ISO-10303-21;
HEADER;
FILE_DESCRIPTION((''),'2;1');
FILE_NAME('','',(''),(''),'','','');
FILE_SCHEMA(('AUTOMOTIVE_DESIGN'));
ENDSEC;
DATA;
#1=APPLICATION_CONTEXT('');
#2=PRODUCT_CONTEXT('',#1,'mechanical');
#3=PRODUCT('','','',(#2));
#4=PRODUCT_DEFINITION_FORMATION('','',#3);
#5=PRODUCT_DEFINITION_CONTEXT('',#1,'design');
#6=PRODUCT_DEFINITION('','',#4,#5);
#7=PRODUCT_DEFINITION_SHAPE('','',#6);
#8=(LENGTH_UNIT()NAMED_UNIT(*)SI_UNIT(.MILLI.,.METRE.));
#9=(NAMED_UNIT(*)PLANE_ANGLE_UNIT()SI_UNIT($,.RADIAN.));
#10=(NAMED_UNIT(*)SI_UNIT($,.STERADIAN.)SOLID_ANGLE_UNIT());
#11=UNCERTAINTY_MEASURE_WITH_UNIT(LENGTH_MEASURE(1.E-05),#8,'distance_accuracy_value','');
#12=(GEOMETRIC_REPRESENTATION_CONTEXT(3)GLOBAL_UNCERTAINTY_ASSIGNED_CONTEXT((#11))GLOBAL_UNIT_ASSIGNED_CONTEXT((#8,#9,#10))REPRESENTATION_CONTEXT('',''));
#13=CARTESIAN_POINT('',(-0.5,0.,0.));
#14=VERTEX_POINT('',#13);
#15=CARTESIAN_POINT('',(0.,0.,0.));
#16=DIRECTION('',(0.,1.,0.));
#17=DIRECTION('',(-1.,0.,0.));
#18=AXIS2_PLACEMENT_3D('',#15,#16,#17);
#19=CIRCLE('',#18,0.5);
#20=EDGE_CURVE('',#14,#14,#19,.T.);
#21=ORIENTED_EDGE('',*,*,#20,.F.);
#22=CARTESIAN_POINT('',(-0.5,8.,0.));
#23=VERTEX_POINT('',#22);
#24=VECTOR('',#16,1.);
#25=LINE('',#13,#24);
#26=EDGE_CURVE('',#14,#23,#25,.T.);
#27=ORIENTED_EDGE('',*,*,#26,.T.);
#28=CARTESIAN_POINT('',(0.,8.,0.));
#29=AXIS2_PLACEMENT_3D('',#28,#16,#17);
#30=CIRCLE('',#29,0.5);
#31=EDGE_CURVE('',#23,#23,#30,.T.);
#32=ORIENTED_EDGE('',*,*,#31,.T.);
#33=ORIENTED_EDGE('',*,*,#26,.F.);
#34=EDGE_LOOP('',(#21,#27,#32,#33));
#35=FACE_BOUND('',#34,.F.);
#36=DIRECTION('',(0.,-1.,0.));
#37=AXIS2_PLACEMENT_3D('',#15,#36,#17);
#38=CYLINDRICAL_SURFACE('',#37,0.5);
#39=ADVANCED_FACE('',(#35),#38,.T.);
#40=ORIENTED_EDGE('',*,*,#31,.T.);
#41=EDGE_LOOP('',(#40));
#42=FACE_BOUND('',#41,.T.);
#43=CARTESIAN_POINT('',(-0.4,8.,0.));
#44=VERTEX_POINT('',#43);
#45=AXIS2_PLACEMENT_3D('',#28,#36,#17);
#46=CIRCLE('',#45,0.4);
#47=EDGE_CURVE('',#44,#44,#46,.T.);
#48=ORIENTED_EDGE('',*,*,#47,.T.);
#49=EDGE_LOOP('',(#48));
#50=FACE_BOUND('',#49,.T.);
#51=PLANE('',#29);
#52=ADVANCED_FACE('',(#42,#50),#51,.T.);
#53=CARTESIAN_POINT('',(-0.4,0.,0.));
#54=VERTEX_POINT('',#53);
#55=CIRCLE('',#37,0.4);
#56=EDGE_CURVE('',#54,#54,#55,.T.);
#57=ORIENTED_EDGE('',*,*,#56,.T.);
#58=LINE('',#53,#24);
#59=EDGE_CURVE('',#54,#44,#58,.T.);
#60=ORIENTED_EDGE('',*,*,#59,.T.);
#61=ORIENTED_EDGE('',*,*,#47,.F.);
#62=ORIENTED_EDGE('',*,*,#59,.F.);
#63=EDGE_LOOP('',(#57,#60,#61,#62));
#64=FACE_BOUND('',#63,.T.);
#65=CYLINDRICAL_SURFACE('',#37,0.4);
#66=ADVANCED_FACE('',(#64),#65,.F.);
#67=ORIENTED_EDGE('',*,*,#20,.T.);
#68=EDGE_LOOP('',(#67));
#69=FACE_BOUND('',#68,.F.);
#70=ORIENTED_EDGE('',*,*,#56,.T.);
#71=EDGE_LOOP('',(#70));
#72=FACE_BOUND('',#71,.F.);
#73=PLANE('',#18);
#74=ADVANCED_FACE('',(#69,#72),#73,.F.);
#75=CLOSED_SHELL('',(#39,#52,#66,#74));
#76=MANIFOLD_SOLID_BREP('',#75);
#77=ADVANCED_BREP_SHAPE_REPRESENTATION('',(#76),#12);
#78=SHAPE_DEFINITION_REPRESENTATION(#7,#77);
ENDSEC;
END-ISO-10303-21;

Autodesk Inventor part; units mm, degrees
ref_plane "YZ Plane" through (0, 0, 0) normal (1, 0, 0) x (0, 1, 0)
ref_plane "XZ Plane" through (0, 0, 0) normal (0, 1, 0) x (-1, 0, 0)
ref_plane "XY Plane" through (0, 0, 0) normal (0, 0, 1) x (1, 0, 0)
sketch "草图1" plane through (0, 0, 0) normal (0, 1, 0) x (-1, 0, 0)
  circle A0 centre (0, 0) radius 0.5
  dimension "d0" = 1
extrude "拉伸1" add sketch "草图1" along normal blind 8
shell "抽壳1" thickness 0.1 removed faces 2 at (-0.3086, 0, -0.1558) at (-0.3086, 8, -0.1558)
properties part number "toptube"
